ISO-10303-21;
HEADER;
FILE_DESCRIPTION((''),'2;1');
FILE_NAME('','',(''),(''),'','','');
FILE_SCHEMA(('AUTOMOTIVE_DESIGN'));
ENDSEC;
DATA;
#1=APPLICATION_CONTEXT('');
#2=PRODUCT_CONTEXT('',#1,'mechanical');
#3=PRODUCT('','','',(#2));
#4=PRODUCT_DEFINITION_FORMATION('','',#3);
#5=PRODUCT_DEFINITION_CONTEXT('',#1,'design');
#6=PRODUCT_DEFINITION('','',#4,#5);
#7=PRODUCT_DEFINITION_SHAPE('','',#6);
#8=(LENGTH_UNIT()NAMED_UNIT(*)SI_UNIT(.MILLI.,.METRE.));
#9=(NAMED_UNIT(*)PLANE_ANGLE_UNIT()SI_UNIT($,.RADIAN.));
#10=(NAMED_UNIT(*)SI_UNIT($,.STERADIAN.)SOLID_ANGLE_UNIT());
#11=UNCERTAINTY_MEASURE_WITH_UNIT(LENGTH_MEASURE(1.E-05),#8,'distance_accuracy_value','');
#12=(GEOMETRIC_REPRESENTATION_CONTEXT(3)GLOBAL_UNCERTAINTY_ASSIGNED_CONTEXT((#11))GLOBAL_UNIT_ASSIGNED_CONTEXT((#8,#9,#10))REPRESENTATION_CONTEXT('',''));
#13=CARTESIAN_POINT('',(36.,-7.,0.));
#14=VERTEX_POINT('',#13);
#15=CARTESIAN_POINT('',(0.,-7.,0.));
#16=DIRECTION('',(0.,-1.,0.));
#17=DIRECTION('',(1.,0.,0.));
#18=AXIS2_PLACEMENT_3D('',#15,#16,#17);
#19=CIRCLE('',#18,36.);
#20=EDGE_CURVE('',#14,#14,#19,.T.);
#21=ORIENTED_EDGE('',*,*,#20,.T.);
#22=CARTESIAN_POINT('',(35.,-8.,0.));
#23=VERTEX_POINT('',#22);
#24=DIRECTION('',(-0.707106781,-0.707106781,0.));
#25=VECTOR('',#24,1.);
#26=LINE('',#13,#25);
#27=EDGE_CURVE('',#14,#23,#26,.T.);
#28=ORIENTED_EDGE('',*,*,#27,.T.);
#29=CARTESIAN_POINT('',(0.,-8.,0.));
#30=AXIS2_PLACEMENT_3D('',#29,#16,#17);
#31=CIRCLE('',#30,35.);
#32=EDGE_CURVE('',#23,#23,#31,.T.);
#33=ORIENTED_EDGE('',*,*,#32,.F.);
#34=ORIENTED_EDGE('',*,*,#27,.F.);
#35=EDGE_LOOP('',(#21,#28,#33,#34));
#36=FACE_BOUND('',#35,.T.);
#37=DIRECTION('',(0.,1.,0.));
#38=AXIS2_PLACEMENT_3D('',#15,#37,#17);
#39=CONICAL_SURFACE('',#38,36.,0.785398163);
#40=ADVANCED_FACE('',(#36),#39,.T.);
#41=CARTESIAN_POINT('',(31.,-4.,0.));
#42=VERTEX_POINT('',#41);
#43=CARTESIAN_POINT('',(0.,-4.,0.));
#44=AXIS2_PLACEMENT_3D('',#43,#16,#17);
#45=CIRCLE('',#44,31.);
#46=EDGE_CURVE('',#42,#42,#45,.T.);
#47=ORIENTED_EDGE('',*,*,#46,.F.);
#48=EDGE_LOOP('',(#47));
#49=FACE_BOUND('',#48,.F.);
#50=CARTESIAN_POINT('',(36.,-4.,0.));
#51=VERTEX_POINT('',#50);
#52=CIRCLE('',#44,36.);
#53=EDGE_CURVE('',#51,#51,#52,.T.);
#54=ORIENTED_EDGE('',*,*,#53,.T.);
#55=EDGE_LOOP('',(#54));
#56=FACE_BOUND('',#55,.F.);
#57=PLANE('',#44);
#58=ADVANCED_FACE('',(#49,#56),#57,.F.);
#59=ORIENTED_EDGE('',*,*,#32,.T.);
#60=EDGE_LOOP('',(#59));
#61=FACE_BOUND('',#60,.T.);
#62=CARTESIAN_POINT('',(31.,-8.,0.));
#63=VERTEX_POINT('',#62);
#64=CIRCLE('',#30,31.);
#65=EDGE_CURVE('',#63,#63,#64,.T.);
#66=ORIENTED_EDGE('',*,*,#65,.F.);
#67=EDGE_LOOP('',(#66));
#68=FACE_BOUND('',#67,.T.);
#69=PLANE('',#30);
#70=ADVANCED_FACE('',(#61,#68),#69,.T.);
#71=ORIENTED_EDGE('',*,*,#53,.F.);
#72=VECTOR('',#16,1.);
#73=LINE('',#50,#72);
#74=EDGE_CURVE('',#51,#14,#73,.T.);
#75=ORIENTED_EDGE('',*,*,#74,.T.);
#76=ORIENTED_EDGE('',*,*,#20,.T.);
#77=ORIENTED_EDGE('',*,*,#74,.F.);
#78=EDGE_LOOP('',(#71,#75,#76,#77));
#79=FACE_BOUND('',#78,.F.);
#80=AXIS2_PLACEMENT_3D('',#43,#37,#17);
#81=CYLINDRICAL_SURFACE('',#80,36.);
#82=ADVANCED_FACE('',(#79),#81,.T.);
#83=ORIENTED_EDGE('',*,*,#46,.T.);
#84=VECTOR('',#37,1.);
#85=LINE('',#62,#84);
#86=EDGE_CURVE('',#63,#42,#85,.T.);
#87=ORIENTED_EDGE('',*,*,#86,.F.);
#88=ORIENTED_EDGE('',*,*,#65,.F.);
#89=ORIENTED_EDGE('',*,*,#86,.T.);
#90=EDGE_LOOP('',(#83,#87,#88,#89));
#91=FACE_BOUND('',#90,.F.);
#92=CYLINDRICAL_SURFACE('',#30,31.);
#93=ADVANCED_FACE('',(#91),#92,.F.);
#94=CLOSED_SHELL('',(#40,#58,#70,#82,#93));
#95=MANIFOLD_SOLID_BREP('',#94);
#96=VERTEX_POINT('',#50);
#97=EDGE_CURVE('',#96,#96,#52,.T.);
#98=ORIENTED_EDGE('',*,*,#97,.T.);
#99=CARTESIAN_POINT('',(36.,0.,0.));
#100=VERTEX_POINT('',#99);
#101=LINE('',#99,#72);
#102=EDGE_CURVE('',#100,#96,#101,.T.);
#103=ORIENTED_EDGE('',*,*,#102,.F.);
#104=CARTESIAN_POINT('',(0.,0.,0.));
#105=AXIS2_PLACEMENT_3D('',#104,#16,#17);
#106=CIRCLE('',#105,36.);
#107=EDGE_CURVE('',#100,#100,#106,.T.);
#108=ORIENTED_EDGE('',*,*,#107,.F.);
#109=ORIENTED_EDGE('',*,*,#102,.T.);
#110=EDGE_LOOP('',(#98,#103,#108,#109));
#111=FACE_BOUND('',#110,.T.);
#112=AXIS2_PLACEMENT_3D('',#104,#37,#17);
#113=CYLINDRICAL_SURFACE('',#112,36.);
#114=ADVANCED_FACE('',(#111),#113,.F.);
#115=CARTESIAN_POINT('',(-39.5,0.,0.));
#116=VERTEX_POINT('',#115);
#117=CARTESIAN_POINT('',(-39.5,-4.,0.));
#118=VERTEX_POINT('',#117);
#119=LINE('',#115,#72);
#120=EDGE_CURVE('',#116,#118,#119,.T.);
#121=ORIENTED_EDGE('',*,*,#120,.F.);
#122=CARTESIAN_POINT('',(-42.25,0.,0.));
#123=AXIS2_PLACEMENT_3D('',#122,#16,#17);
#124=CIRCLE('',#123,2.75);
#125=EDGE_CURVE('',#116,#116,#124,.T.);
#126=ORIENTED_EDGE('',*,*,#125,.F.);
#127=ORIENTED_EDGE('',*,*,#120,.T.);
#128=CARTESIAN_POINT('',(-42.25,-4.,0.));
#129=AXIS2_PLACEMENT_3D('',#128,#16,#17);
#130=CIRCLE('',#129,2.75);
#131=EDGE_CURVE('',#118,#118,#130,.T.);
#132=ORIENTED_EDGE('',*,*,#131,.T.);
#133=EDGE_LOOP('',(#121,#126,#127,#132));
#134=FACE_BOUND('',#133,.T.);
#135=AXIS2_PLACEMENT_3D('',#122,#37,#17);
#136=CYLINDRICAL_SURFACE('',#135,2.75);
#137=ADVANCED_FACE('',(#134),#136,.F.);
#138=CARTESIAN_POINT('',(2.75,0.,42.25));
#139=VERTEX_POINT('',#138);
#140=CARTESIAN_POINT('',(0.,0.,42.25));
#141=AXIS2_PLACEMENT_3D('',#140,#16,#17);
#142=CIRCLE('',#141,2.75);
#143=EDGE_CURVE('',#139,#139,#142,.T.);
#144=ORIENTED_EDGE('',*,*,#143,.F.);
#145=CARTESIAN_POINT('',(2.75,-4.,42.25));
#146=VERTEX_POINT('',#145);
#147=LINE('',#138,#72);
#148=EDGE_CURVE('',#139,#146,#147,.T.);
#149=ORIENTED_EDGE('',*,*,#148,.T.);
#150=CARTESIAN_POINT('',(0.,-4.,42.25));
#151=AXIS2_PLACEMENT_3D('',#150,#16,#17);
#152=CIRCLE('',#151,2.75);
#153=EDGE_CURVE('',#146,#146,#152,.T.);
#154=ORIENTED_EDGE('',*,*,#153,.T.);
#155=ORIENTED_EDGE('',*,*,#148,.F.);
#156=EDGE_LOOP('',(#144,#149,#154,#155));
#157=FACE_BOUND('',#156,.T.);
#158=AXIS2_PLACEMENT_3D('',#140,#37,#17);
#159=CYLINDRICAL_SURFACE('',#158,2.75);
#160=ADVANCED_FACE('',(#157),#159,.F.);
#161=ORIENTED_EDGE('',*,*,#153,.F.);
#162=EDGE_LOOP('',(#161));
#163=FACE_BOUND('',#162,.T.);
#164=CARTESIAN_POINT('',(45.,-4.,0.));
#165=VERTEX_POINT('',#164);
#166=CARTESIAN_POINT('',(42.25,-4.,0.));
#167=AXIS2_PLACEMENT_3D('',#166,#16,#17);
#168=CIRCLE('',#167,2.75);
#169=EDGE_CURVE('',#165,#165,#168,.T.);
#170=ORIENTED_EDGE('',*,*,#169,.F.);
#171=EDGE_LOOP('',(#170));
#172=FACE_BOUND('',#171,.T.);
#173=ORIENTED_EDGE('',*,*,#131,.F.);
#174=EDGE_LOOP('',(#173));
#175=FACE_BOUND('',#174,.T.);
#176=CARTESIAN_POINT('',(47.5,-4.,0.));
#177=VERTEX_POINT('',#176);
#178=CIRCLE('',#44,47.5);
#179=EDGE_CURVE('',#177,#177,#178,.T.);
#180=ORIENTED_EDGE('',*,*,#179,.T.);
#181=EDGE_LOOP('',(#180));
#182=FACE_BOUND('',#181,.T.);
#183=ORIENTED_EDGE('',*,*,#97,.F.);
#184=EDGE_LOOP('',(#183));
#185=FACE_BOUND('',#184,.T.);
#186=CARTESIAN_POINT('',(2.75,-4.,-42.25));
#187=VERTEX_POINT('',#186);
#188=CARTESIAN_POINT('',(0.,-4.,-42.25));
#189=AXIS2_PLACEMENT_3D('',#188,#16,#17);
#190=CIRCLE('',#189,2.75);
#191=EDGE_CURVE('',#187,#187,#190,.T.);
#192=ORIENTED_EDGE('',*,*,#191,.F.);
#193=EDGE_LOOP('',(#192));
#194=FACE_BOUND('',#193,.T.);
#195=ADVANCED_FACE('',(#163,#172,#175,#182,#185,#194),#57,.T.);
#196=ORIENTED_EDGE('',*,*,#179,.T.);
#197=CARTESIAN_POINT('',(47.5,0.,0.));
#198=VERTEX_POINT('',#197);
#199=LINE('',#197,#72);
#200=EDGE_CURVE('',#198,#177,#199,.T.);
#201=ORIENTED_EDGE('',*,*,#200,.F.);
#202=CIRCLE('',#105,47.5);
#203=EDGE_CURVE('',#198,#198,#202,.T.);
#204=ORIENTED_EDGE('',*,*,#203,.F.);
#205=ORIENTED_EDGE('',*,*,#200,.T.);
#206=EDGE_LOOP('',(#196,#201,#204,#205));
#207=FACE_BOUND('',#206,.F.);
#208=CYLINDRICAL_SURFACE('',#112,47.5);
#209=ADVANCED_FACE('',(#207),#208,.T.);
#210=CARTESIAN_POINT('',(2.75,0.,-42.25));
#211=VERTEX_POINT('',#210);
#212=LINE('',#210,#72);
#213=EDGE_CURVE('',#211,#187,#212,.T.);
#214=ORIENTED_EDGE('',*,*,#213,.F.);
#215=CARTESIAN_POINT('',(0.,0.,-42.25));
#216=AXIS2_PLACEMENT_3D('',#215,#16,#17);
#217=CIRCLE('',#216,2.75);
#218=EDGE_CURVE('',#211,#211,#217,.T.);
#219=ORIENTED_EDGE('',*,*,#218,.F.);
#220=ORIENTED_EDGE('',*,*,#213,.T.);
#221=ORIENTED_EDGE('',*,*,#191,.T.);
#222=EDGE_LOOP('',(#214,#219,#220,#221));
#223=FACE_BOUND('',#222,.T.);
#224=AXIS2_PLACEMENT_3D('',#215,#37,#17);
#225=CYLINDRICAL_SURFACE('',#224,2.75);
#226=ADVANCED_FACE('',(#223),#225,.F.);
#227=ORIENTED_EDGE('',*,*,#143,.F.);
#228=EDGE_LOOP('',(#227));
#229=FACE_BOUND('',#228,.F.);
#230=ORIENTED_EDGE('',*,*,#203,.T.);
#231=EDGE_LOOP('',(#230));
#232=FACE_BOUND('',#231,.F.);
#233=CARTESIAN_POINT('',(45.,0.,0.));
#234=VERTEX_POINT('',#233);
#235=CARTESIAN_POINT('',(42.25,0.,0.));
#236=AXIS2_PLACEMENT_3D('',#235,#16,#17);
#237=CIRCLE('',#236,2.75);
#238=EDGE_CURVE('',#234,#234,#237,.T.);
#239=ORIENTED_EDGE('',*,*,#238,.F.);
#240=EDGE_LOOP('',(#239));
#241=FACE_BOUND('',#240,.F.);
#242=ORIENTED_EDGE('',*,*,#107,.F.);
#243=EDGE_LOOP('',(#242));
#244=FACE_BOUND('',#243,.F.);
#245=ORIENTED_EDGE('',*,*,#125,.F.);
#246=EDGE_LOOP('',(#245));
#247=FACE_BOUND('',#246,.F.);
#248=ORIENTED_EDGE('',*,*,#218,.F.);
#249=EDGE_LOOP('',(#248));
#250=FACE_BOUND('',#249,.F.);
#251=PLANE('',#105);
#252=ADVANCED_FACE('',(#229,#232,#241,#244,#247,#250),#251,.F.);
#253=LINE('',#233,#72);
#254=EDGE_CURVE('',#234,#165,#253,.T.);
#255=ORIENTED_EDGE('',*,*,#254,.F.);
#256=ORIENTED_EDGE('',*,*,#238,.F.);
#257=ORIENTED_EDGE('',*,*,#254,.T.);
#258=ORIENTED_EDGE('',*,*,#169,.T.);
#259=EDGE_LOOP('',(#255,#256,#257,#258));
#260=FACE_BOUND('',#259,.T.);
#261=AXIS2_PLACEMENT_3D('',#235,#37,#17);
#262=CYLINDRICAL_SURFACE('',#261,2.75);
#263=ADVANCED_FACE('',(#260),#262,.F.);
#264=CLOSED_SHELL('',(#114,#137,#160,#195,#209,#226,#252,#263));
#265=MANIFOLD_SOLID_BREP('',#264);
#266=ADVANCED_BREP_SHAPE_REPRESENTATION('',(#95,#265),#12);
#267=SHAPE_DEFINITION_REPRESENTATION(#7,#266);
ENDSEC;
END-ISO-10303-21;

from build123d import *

# Parameters (mm, degrees)
F0_R     = 47.5
F0_R_2   = 2.75
F0_R_3   = 36
F1_DEPTH = 4
F2_R     = 36
F3_DEPTH = 4
F4_R     = 31
F5_DEPTH = 4
F6_SIZE  = 1


with BuildPart() as f1:
    # F0 (on Front) → F1 (new body)
    with BuildSketch(Plane.XZ):
        Circle(F0_R)
        with Locations((0, -42.25)):
            Circle(F0_R_2, mode=Mode.SUBTRACT)
        with Locations((-42.25, 0)):
            Circle(F0_R_2, mode=Mode.SUBTRACT)
        Circle(F0_R_3, mode=Mode.SUBTRACT)
        with Locations((42.25, 0)):
            Circle(F0_R_2, mode=Mode.SUBTRACT)
        with Locations((0, 42.25)):
            Circle(F0_R_2, mode=Mode.SUBTRACT)
    extrude(amount=F1_DEPTH)


with BuildPart() as f3:
    # F2 (on face) → F3 (new body)
    with BuildSketch(Plane.XZ.offset(4)):
        Circle(F2_R)
    extrude(amount=F3_DEPTH)

    # F4 (on face) → F5 (cut, through all)
    with BuildSketch(Plane.XZ.offset(8)):
        Circle(F4_R)
    extrude(amount=-F5_DEPTH, mode=Mode.SUBTRACT)

    # F6
    f6_edges = [f3.edges().sort_by_distance(p)[0] for p in [
        (-36, -8, 0),
    ]]
    chamfer(f6_edges, length=F6_SIZE)


solid = Compound([f1.part, f3.part])
